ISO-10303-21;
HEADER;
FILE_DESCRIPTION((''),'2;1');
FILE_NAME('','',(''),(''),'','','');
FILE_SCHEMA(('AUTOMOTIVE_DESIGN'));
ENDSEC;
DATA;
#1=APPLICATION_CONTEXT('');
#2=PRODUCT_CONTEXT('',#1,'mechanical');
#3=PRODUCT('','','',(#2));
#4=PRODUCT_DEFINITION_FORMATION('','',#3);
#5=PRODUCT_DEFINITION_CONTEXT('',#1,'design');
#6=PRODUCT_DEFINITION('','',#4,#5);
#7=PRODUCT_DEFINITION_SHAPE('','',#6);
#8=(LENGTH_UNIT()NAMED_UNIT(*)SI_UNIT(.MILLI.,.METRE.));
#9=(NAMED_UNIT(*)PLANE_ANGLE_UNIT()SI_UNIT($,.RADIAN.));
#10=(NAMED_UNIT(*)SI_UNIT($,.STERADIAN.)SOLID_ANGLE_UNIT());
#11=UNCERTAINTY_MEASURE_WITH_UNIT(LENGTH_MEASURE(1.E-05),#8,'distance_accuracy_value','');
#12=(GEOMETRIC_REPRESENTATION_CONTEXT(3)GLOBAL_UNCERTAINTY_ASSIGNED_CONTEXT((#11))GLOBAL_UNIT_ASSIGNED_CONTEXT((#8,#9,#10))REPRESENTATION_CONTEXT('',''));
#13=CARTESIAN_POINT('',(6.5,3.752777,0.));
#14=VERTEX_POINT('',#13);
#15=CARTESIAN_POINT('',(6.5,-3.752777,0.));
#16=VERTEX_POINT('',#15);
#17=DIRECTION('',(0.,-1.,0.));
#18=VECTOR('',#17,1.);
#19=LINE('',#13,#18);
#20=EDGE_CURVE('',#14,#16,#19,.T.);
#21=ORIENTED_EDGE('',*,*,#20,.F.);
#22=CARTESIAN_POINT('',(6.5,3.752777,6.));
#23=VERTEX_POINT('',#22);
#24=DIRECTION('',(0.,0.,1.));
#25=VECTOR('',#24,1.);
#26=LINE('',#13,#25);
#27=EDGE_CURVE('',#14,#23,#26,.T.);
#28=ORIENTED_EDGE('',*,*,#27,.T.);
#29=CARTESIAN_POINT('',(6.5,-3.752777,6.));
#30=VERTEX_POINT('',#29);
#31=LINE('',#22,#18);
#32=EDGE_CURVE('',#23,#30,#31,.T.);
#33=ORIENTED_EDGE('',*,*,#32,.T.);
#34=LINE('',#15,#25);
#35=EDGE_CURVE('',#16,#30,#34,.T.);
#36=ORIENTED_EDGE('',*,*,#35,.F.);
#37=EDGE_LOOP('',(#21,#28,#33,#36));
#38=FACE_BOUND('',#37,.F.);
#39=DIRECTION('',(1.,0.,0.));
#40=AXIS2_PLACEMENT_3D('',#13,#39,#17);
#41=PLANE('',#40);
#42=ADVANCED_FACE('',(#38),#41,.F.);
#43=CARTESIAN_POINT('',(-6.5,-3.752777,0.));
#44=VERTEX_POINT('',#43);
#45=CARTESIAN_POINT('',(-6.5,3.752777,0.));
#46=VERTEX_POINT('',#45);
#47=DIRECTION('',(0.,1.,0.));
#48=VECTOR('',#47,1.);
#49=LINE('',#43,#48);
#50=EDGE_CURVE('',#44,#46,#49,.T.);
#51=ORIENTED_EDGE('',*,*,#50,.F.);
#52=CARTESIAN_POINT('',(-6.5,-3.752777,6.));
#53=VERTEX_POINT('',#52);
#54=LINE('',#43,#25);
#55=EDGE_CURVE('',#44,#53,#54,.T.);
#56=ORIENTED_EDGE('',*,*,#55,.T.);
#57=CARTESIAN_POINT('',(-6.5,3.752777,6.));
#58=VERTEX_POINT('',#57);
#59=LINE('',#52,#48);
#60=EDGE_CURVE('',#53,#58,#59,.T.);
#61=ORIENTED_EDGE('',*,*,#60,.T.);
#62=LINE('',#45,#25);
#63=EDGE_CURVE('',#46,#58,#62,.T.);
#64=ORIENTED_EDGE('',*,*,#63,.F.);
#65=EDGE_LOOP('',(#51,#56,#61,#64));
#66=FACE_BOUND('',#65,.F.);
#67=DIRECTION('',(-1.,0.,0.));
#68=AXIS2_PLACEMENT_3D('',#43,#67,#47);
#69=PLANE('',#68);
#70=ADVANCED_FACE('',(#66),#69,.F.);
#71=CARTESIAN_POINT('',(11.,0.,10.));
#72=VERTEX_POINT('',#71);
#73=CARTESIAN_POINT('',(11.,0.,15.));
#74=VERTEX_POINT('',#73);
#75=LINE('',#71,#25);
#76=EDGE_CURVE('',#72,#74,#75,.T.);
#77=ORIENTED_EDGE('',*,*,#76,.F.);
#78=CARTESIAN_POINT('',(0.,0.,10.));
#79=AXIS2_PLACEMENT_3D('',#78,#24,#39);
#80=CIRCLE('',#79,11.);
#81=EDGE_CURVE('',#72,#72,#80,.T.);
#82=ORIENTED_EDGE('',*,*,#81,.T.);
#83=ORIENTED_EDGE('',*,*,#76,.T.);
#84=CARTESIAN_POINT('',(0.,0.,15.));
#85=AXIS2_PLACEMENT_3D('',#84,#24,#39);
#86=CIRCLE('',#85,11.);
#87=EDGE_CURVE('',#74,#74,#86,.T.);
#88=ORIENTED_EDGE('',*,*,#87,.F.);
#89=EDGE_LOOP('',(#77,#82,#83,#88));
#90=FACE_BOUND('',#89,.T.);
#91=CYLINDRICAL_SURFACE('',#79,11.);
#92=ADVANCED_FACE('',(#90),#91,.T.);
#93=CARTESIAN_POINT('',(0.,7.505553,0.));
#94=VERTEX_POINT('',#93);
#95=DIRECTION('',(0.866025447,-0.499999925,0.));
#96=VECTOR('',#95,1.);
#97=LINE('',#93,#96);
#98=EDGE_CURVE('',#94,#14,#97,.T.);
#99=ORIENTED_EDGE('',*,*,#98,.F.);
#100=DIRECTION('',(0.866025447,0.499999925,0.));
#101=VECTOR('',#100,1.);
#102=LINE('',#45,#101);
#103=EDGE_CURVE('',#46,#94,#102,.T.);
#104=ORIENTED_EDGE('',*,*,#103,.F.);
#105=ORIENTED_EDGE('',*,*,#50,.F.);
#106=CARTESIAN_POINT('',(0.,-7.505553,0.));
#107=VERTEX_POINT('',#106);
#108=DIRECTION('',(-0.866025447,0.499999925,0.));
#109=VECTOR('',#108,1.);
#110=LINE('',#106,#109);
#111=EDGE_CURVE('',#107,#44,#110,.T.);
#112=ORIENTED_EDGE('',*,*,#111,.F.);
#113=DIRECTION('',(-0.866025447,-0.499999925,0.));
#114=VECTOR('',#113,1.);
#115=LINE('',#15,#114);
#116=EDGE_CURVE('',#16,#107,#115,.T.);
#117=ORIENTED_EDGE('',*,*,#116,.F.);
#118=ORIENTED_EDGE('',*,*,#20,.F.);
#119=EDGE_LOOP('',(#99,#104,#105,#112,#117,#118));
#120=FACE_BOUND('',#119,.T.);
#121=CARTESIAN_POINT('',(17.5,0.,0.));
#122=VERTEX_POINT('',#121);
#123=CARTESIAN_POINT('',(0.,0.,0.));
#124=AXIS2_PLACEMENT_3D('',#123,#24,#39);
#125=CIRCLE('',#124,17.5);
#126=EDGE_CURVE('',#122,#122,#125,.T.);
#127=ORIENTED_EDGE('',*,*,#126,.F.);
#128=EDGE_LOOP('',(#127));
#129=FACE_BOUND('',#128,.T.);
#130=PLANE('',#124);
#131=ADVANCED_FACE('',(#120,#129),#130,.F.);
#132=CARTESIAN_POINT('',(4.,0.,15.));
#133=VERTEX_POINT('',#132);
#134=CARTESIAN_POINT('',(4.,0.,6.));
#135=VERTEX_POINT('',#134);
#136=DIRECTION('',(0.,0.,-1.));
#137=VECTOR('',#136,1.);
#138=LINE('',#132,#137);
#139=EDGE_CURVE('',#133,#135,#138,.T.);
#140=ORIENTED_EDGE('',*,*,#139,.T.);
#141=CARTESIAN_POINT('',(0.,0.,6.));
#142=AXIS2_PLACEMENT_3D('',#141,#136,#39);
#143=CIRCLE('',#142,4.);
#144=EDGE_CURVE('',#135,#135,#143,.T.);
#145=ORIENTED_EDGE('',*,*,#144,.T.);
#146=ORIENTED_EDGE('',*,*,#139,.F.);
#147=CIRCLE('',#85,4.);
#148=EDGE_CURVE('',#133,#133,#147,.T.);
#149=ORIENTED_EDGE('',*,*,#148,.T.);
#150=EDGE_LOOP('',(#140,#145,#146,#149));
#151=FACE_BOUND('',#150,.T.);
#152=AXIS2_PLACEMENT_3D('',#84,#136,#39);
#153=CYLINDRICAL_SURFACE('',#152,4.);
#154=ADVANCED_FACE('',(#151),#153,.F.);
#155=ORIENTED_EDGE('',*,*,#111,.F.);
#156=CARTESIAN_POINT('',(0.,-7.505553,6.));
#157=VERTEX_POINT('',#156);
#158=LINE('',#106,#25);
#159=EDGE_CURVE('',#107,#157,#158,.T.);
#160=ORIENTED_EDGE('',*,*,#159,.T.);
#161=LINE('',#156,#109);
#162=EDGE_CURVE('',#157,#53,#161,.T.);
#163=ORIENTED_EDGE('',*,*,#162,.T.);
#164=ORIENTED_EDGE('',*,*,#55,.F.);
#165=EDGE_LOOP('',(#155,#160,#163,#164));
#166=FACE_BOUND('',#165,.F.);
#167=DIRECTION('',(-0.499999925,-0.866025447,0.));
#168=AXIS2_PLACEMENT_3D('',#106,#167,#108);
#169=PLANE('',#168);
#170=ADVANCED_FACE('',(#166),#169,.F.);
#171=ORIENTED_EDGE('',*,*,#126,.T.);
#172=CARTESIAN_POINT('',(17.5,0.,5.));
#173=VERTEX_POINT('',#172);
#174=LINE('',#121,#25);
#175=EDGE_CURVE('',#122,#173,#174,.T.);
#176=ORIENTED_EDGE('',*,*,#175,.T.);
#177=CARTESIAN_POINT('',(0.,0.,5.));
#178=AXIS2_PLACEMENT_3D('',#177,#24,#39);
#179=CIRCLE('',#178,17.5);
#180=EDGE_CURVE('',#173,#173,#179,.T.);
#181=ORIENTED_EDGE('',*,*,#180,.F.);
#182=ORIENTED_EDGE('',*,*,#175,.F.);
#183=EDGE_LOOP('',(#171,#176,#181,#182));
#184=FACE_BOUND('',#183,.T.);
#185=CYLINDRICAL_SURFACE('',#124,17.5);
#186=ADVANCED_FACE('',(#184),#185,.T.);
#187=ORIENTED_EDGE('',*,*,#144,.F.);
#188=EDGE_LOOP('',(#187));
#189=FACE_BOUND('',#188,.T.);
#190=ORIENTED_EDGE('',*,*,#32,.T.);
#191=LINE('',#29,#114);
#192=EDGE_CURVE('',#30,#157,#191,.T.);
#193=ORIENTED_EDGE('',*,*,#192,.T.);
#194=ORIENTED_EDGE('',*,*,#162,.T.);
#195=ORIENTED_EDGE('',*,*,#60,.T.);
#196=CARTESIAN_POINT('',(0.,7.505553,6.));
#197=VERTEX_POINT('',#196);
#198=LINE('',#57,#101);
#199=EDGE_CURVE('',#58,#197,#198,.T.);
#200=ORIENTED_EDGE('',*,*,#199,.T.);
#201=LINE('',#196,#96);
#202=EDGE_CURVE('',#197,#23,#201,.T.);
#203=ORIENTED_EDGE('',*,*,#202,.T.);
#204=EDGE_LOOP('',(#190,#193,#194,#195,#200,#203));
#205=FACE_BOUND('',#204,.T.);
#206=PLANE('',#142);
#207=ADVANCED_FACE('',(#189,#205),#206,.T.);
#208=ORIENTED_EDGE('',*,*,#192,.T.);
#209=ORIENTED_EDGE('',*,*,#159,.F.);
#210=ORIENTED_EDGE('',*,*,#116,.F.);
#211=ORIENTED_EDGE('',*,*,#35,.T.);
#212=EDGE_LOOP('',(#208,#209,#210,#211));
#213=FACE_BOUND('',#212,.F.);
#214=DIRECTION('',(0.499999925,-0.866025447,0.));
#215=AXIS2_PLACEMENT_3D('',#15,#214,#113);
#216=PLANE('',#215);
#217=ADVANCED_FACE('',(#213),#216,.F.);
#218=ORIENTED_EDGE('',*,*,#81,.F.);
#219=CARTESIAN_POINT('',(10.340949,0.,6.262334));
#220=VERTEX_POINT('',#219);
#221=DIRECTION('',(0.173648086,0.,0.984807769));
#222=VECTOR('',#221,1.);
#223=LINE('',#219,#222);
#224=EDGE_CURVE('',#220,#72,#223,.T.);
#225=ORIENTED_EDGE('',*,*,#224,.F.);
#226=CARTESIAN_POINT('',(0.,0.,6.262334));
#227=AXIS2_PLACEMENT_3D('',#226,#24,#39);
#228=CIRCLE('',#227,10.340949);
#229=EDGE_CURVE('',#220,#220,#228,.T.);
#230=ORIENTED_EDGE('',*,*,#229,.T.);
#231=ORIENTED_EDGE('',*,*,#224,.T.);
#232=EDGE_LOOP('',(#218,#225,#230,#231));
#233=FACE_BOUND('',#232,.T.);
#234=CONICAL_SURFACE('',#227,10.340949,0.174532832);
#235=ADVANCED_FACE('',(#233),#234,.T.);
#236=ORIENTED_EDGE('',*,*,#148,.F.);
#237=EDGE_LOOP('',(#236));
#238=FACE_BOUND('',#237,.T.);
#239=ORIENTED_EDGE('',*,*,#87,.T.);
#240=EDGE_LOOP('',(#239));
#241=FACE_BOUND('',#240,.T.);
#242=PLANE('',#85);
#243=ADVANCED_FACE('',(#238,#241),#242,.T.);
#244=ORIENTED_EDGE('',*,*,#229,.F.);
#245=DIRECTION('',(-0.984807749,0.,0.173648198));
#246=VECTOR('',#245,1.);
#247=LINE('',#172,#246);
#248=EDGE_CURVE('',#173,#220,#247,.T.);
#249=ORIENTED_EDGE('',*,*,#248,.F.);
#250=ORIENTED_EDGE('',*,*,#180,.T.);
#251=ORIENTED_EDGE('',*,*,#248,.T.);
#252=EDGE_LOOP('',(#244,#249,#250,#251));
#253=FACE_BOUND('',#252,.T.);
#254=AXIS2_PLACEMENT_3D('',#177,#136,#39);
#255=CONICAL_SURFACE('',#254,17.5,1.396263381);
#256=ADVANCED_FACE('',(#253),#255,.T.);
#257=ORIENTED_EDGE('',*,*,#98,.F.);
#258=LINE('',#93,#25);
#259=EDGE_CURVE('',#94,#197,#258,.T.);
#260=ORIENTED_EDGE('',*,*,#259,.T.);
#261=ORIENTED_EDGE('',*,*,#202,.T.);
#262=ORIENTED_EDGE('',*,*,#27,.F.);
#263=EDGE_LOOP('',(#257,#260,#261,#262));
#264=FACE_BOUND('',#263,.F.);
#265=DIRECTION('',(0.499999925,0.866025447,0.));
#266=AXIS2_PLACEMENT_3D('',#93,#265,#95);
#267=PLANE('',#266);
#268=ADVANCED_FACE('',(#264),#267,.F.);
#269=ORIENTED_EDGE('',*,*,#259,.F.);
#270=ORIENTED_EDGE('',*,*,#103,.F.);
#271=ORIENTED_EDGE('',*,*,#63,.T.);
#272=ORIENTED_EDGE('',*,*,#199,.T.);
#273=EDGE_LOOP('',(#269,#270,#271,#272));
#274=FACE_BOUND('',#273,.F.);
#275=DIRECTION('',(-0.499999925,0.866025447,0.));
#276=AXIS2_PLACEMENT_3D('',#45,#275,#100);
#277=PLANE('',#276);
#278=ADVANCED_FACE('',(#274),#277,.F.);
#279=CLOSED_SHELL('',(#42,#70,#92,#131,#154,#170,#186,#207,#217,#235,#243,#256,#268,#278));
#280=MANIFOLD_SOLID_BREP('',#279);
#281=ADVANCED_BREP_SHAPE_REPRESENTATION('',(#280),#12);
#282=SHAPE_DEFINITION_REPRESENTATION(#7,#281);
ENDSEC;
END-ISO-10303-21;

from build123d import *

# Parameters (mm, degrees)
F2_R     = 4
F3_DEPTH = 6


with BuildPart() as f1:
    # F0 (on Front) → F1 (revolve)
    with BuildSketch(Plane.XZ):
        Polygon((4, 15), (4, 0), (17.5, 0), (17.5, 5), (10.340949, 6.262334), (11, 10), (11, 15), align=None)
    revolve(axis=Axis((0, 0, 19.525763), (0, 0, 1)))

    # F2 (on face) → F3 (cut)
    with BuildSketch(Plane(origin=(0, 0, 0), x_dir=(1, 0, 0), z_dir=(0, 0, -1))):
        Polygon((-6.5, -3.752777), (0, -7.505553), (6.5, -3.752777), (6.5, 3.752777), (0, 7.505553), (-6.5, 3.752777), align=None)
        Circle(F2_R, mode=Mode.SUBTRACT)
    extrude(amount=-F3_DEPTH, mode=Mode.SUBTRACT)


solid = f1.part
